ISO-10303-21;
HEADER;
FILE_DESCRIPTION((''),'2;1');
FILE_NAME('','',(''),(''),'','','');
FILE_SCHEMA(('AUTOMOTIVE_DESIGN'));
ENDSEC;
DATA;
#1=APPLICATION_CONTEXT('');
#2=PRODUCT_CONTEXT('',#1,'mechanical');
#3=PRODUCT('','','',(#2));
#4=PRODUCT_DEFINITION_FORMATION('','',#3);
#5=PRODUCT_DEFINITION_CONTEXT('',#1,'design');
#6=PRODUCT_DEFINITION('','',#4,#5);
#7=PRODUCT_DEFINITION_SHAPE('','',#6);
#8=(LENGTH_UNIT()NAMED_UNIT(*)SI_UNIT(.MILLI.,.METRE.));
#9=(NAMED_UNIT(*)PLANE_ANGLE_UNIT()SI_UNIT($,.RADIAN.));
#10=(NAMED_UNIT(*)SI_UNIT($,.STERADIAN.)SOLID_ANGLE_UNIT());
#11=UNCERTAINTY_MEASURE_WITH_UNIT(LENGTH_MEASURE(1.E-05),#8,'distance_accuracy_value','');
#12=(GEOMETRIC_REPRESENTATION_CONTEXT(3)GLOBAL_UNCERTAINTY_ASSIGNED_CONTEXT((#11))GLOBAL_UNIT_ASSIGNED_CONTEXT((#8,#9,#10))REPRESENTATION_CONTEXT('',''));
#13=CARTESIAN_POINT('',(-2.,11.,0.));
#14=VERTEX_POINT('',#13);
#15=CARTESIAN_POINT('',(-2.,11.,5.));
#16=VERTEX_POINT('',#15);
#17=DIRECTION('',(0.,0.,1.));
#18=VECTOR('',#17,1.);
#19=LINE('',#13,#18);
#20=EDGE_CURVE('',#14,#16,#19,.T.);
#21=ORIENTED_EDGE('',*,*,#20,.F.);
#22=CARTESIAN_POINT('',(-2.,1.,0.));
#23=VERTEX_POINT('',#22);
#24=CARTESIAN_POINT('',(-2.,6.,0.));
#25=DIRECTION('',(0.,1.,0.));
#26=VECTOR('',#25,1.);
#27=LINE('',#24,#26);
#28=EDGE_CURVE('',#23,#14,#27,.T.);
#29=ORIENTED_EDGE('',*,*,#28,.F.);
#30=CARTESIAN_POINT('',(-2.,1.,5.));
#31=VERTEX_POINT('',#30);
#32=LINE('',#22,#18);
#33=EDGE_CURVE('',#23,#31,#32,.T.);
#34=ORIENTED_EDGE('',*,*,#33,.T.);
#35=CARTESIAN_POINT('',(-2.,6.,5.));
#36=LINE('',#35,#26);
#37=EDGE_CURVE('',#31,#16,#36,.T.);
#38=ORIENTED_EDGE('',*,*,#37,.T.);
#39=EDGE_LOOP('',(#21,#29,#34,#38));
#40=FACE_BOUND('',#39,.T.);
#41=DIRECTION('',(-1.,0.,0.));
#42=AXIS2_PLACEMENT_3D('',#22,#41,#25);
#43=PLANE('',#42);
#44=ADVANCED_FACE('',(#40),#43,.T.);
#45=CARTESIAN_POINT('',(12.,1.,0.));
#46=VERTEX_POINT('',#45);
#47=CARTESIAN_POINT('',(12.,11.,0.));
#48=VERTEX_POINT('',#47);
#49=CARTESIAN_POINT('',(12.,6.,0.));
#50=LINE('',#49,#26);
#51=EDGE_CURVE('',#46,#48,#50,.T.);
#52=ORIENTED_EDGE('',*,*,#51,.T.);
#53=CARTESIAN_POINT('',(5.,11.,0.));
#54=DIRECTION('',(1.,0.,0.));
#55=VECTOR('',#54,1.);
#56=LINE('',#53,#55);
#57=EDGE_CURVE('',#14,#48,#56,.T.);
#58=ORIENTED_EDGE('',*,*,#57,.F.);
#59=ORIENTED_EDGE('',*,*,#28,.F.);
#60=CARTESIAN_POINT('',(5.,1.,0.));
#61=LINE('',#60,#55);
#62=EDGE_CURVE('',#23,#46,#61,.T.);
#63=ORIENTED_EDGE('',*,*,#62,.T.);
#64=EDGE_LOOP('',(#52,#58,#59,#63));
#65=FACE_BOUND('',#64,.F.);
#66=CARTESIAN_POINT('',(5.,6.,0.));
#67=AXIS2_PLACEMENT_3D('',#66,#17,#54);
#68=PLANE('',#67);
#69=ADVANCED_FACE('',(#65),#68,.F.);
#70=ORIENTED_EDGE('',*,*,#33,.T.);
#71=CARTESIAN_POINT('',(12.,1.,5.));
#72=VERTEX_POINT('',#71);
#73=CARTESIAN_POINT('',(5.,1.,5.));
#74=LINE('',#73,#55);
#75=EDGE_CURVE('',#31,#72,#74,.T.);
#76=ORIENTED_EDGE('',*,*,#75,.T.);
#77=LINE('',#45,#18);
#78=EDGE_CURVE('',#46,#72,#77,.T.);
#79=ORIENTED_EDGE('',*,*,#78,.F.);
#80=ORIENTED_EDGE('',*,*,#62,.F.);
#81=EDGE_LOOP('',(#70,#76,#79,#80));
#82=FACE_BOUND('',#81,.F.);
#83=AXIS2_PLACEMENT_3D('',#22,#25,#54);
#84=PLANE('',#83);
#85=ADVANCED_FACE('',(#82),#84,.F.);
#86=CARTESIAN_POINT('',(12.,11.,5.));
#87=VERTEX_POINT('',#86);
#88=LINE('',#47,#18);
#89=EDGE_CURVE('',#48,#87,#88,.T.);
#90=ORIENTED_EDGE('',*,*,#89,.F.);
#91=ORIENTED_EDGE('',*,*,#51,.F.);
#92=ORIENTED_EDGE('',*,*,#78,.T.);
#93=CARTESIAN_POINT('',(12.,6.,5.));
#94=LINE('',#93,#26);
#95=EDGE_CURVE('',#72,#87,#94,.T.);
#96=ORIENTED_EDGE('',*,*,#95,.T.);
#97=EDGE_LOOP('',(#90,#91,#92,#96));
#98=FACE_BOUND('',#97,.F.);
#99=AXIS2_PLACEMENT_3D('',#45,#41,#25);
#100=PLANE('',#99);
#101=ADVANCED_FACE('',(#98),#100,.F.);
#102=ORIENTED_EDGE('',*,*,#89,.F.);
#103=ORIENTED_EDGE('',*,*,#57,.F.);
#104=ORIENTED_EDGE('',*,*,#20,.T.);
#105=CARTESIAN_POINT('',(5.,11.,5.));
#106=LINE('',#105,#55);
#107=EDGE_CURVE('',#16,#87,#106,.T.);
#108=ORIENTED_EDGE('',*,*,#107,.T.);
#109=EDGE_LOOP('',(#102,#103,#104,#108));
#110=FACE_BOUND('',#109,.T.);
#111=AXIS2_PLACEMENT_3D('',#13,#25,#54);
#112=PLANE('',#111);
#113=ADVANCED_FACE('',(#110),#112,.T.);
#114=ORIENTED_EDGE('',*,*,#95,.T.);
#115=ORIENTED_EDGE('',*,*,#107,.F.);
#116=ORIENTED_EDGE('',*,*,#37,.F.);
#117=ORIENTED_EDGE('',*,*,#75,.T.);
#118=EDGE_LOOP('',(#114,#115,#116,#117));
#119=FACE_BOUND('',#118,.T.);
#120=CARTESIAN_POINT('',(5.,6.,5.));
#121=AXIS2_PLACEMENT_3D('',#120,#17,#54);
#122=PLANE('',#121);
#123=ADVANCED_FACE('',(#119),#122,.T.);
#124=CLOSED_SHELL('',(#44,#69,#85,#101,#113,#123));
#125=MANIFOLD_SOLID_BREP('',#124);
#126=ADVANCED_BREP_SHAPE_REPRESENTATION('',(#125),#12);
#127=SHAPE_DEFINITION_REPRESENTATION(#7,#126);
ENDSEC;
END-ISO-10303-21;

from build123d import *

# Parameters (mm, degrees)
SKETCH_W  = 14
SKETCH_H  = 10
PAD_DEPTH = 5


with BuildPart() as part:
    # Sketch → Pad (new body)
    with BuildSketch(Plane.XY):
        with Locations((5, 6)):
            Rectangle(SKETCH_W, SKETCH_H)
    extrude(amount=PAD_DEPTH)


solid = part.part
